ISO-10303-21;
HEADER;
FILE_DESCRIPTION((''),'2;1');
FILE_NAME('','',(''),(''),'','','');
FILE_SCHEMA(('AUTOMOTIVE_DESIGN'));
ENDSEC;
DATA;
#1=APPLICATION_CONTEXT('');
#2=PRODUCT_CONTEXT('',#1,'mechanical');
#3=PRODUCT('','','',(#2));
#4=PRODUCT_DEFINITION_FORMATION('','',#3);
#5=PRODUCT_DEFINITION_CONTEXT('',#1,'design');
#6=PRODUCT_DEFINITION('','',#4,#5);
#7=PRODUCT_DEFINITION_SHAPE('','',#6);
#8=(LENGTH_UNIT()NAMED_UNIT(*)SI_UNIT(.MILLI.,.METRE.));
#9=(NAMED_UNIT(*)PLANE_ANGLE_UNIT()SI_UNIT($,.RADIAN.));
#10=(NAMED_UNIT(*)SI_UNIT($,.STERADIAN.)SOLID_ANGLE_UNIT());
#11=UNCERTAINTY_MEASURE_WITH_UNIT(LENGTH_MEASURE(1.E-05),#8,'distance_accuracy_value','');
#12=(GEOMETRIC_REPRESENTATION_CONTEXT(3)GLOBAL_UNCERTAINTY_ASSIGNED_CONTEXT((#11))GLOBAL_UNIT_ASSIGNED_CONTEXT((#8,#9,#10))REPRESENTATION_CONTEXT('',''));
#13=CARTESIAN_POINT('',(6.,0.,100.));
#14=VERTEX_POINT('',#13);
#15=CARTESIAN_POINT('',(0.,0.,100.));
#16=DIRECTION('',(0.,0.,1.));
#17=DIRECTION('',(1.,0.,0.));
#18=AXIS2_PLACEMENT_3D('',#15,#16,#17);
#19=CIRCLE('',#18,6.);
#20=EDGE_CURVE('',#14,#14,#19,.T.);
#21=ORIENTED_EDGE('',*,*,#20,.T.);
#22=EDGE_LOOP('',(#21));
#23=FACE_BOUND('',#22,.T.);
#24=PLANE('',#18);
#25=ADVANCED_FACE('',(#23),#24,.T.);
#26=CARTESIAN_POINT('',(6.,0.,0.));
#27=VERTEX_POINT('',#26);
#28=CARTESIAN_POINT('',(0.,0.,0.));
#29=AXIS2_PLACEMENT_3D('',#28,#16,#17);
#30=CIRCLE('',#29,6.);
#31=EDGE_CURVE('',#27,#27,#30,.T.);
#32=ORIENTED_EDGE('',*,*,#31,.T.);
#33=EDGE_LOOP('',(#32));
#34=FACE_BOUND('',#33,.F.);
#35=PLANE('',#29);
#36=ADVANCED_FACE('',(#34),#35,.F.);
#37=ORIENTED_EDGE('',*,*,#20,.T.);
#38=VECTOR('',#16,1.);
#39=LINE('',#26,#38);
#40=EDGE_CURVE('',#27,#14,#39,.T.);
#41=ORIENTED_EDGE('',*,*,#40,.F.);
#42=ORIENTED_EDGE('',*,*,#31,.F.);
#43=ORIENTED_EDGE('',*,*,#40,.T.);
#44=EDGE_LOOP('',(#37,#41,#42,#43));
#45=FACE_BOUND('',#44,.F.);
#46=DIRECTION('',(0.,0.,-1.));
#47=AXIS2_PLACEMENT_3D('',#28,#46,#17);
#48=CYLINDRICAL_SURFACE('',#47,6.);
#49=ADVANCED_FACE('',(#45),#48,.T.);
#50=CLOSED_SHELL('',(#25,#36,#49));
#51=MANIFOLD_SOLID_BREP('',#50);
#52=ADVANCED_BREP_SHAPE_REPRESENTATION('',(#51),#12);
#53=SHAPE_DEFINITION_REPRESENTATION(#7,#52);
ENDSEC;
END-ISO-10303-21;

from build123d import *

# Parameters (mm, degrees)
SKETCH_R  = 6
PAD_DEPTH = 100


with BuildPart() as part:
    # Sketch → Pad (new body)
    with BuildSketch(Plane.XY):
        Circle(SKETCH_R)
    extrude(amount=PAD_DEPTH)


solid = part.part
